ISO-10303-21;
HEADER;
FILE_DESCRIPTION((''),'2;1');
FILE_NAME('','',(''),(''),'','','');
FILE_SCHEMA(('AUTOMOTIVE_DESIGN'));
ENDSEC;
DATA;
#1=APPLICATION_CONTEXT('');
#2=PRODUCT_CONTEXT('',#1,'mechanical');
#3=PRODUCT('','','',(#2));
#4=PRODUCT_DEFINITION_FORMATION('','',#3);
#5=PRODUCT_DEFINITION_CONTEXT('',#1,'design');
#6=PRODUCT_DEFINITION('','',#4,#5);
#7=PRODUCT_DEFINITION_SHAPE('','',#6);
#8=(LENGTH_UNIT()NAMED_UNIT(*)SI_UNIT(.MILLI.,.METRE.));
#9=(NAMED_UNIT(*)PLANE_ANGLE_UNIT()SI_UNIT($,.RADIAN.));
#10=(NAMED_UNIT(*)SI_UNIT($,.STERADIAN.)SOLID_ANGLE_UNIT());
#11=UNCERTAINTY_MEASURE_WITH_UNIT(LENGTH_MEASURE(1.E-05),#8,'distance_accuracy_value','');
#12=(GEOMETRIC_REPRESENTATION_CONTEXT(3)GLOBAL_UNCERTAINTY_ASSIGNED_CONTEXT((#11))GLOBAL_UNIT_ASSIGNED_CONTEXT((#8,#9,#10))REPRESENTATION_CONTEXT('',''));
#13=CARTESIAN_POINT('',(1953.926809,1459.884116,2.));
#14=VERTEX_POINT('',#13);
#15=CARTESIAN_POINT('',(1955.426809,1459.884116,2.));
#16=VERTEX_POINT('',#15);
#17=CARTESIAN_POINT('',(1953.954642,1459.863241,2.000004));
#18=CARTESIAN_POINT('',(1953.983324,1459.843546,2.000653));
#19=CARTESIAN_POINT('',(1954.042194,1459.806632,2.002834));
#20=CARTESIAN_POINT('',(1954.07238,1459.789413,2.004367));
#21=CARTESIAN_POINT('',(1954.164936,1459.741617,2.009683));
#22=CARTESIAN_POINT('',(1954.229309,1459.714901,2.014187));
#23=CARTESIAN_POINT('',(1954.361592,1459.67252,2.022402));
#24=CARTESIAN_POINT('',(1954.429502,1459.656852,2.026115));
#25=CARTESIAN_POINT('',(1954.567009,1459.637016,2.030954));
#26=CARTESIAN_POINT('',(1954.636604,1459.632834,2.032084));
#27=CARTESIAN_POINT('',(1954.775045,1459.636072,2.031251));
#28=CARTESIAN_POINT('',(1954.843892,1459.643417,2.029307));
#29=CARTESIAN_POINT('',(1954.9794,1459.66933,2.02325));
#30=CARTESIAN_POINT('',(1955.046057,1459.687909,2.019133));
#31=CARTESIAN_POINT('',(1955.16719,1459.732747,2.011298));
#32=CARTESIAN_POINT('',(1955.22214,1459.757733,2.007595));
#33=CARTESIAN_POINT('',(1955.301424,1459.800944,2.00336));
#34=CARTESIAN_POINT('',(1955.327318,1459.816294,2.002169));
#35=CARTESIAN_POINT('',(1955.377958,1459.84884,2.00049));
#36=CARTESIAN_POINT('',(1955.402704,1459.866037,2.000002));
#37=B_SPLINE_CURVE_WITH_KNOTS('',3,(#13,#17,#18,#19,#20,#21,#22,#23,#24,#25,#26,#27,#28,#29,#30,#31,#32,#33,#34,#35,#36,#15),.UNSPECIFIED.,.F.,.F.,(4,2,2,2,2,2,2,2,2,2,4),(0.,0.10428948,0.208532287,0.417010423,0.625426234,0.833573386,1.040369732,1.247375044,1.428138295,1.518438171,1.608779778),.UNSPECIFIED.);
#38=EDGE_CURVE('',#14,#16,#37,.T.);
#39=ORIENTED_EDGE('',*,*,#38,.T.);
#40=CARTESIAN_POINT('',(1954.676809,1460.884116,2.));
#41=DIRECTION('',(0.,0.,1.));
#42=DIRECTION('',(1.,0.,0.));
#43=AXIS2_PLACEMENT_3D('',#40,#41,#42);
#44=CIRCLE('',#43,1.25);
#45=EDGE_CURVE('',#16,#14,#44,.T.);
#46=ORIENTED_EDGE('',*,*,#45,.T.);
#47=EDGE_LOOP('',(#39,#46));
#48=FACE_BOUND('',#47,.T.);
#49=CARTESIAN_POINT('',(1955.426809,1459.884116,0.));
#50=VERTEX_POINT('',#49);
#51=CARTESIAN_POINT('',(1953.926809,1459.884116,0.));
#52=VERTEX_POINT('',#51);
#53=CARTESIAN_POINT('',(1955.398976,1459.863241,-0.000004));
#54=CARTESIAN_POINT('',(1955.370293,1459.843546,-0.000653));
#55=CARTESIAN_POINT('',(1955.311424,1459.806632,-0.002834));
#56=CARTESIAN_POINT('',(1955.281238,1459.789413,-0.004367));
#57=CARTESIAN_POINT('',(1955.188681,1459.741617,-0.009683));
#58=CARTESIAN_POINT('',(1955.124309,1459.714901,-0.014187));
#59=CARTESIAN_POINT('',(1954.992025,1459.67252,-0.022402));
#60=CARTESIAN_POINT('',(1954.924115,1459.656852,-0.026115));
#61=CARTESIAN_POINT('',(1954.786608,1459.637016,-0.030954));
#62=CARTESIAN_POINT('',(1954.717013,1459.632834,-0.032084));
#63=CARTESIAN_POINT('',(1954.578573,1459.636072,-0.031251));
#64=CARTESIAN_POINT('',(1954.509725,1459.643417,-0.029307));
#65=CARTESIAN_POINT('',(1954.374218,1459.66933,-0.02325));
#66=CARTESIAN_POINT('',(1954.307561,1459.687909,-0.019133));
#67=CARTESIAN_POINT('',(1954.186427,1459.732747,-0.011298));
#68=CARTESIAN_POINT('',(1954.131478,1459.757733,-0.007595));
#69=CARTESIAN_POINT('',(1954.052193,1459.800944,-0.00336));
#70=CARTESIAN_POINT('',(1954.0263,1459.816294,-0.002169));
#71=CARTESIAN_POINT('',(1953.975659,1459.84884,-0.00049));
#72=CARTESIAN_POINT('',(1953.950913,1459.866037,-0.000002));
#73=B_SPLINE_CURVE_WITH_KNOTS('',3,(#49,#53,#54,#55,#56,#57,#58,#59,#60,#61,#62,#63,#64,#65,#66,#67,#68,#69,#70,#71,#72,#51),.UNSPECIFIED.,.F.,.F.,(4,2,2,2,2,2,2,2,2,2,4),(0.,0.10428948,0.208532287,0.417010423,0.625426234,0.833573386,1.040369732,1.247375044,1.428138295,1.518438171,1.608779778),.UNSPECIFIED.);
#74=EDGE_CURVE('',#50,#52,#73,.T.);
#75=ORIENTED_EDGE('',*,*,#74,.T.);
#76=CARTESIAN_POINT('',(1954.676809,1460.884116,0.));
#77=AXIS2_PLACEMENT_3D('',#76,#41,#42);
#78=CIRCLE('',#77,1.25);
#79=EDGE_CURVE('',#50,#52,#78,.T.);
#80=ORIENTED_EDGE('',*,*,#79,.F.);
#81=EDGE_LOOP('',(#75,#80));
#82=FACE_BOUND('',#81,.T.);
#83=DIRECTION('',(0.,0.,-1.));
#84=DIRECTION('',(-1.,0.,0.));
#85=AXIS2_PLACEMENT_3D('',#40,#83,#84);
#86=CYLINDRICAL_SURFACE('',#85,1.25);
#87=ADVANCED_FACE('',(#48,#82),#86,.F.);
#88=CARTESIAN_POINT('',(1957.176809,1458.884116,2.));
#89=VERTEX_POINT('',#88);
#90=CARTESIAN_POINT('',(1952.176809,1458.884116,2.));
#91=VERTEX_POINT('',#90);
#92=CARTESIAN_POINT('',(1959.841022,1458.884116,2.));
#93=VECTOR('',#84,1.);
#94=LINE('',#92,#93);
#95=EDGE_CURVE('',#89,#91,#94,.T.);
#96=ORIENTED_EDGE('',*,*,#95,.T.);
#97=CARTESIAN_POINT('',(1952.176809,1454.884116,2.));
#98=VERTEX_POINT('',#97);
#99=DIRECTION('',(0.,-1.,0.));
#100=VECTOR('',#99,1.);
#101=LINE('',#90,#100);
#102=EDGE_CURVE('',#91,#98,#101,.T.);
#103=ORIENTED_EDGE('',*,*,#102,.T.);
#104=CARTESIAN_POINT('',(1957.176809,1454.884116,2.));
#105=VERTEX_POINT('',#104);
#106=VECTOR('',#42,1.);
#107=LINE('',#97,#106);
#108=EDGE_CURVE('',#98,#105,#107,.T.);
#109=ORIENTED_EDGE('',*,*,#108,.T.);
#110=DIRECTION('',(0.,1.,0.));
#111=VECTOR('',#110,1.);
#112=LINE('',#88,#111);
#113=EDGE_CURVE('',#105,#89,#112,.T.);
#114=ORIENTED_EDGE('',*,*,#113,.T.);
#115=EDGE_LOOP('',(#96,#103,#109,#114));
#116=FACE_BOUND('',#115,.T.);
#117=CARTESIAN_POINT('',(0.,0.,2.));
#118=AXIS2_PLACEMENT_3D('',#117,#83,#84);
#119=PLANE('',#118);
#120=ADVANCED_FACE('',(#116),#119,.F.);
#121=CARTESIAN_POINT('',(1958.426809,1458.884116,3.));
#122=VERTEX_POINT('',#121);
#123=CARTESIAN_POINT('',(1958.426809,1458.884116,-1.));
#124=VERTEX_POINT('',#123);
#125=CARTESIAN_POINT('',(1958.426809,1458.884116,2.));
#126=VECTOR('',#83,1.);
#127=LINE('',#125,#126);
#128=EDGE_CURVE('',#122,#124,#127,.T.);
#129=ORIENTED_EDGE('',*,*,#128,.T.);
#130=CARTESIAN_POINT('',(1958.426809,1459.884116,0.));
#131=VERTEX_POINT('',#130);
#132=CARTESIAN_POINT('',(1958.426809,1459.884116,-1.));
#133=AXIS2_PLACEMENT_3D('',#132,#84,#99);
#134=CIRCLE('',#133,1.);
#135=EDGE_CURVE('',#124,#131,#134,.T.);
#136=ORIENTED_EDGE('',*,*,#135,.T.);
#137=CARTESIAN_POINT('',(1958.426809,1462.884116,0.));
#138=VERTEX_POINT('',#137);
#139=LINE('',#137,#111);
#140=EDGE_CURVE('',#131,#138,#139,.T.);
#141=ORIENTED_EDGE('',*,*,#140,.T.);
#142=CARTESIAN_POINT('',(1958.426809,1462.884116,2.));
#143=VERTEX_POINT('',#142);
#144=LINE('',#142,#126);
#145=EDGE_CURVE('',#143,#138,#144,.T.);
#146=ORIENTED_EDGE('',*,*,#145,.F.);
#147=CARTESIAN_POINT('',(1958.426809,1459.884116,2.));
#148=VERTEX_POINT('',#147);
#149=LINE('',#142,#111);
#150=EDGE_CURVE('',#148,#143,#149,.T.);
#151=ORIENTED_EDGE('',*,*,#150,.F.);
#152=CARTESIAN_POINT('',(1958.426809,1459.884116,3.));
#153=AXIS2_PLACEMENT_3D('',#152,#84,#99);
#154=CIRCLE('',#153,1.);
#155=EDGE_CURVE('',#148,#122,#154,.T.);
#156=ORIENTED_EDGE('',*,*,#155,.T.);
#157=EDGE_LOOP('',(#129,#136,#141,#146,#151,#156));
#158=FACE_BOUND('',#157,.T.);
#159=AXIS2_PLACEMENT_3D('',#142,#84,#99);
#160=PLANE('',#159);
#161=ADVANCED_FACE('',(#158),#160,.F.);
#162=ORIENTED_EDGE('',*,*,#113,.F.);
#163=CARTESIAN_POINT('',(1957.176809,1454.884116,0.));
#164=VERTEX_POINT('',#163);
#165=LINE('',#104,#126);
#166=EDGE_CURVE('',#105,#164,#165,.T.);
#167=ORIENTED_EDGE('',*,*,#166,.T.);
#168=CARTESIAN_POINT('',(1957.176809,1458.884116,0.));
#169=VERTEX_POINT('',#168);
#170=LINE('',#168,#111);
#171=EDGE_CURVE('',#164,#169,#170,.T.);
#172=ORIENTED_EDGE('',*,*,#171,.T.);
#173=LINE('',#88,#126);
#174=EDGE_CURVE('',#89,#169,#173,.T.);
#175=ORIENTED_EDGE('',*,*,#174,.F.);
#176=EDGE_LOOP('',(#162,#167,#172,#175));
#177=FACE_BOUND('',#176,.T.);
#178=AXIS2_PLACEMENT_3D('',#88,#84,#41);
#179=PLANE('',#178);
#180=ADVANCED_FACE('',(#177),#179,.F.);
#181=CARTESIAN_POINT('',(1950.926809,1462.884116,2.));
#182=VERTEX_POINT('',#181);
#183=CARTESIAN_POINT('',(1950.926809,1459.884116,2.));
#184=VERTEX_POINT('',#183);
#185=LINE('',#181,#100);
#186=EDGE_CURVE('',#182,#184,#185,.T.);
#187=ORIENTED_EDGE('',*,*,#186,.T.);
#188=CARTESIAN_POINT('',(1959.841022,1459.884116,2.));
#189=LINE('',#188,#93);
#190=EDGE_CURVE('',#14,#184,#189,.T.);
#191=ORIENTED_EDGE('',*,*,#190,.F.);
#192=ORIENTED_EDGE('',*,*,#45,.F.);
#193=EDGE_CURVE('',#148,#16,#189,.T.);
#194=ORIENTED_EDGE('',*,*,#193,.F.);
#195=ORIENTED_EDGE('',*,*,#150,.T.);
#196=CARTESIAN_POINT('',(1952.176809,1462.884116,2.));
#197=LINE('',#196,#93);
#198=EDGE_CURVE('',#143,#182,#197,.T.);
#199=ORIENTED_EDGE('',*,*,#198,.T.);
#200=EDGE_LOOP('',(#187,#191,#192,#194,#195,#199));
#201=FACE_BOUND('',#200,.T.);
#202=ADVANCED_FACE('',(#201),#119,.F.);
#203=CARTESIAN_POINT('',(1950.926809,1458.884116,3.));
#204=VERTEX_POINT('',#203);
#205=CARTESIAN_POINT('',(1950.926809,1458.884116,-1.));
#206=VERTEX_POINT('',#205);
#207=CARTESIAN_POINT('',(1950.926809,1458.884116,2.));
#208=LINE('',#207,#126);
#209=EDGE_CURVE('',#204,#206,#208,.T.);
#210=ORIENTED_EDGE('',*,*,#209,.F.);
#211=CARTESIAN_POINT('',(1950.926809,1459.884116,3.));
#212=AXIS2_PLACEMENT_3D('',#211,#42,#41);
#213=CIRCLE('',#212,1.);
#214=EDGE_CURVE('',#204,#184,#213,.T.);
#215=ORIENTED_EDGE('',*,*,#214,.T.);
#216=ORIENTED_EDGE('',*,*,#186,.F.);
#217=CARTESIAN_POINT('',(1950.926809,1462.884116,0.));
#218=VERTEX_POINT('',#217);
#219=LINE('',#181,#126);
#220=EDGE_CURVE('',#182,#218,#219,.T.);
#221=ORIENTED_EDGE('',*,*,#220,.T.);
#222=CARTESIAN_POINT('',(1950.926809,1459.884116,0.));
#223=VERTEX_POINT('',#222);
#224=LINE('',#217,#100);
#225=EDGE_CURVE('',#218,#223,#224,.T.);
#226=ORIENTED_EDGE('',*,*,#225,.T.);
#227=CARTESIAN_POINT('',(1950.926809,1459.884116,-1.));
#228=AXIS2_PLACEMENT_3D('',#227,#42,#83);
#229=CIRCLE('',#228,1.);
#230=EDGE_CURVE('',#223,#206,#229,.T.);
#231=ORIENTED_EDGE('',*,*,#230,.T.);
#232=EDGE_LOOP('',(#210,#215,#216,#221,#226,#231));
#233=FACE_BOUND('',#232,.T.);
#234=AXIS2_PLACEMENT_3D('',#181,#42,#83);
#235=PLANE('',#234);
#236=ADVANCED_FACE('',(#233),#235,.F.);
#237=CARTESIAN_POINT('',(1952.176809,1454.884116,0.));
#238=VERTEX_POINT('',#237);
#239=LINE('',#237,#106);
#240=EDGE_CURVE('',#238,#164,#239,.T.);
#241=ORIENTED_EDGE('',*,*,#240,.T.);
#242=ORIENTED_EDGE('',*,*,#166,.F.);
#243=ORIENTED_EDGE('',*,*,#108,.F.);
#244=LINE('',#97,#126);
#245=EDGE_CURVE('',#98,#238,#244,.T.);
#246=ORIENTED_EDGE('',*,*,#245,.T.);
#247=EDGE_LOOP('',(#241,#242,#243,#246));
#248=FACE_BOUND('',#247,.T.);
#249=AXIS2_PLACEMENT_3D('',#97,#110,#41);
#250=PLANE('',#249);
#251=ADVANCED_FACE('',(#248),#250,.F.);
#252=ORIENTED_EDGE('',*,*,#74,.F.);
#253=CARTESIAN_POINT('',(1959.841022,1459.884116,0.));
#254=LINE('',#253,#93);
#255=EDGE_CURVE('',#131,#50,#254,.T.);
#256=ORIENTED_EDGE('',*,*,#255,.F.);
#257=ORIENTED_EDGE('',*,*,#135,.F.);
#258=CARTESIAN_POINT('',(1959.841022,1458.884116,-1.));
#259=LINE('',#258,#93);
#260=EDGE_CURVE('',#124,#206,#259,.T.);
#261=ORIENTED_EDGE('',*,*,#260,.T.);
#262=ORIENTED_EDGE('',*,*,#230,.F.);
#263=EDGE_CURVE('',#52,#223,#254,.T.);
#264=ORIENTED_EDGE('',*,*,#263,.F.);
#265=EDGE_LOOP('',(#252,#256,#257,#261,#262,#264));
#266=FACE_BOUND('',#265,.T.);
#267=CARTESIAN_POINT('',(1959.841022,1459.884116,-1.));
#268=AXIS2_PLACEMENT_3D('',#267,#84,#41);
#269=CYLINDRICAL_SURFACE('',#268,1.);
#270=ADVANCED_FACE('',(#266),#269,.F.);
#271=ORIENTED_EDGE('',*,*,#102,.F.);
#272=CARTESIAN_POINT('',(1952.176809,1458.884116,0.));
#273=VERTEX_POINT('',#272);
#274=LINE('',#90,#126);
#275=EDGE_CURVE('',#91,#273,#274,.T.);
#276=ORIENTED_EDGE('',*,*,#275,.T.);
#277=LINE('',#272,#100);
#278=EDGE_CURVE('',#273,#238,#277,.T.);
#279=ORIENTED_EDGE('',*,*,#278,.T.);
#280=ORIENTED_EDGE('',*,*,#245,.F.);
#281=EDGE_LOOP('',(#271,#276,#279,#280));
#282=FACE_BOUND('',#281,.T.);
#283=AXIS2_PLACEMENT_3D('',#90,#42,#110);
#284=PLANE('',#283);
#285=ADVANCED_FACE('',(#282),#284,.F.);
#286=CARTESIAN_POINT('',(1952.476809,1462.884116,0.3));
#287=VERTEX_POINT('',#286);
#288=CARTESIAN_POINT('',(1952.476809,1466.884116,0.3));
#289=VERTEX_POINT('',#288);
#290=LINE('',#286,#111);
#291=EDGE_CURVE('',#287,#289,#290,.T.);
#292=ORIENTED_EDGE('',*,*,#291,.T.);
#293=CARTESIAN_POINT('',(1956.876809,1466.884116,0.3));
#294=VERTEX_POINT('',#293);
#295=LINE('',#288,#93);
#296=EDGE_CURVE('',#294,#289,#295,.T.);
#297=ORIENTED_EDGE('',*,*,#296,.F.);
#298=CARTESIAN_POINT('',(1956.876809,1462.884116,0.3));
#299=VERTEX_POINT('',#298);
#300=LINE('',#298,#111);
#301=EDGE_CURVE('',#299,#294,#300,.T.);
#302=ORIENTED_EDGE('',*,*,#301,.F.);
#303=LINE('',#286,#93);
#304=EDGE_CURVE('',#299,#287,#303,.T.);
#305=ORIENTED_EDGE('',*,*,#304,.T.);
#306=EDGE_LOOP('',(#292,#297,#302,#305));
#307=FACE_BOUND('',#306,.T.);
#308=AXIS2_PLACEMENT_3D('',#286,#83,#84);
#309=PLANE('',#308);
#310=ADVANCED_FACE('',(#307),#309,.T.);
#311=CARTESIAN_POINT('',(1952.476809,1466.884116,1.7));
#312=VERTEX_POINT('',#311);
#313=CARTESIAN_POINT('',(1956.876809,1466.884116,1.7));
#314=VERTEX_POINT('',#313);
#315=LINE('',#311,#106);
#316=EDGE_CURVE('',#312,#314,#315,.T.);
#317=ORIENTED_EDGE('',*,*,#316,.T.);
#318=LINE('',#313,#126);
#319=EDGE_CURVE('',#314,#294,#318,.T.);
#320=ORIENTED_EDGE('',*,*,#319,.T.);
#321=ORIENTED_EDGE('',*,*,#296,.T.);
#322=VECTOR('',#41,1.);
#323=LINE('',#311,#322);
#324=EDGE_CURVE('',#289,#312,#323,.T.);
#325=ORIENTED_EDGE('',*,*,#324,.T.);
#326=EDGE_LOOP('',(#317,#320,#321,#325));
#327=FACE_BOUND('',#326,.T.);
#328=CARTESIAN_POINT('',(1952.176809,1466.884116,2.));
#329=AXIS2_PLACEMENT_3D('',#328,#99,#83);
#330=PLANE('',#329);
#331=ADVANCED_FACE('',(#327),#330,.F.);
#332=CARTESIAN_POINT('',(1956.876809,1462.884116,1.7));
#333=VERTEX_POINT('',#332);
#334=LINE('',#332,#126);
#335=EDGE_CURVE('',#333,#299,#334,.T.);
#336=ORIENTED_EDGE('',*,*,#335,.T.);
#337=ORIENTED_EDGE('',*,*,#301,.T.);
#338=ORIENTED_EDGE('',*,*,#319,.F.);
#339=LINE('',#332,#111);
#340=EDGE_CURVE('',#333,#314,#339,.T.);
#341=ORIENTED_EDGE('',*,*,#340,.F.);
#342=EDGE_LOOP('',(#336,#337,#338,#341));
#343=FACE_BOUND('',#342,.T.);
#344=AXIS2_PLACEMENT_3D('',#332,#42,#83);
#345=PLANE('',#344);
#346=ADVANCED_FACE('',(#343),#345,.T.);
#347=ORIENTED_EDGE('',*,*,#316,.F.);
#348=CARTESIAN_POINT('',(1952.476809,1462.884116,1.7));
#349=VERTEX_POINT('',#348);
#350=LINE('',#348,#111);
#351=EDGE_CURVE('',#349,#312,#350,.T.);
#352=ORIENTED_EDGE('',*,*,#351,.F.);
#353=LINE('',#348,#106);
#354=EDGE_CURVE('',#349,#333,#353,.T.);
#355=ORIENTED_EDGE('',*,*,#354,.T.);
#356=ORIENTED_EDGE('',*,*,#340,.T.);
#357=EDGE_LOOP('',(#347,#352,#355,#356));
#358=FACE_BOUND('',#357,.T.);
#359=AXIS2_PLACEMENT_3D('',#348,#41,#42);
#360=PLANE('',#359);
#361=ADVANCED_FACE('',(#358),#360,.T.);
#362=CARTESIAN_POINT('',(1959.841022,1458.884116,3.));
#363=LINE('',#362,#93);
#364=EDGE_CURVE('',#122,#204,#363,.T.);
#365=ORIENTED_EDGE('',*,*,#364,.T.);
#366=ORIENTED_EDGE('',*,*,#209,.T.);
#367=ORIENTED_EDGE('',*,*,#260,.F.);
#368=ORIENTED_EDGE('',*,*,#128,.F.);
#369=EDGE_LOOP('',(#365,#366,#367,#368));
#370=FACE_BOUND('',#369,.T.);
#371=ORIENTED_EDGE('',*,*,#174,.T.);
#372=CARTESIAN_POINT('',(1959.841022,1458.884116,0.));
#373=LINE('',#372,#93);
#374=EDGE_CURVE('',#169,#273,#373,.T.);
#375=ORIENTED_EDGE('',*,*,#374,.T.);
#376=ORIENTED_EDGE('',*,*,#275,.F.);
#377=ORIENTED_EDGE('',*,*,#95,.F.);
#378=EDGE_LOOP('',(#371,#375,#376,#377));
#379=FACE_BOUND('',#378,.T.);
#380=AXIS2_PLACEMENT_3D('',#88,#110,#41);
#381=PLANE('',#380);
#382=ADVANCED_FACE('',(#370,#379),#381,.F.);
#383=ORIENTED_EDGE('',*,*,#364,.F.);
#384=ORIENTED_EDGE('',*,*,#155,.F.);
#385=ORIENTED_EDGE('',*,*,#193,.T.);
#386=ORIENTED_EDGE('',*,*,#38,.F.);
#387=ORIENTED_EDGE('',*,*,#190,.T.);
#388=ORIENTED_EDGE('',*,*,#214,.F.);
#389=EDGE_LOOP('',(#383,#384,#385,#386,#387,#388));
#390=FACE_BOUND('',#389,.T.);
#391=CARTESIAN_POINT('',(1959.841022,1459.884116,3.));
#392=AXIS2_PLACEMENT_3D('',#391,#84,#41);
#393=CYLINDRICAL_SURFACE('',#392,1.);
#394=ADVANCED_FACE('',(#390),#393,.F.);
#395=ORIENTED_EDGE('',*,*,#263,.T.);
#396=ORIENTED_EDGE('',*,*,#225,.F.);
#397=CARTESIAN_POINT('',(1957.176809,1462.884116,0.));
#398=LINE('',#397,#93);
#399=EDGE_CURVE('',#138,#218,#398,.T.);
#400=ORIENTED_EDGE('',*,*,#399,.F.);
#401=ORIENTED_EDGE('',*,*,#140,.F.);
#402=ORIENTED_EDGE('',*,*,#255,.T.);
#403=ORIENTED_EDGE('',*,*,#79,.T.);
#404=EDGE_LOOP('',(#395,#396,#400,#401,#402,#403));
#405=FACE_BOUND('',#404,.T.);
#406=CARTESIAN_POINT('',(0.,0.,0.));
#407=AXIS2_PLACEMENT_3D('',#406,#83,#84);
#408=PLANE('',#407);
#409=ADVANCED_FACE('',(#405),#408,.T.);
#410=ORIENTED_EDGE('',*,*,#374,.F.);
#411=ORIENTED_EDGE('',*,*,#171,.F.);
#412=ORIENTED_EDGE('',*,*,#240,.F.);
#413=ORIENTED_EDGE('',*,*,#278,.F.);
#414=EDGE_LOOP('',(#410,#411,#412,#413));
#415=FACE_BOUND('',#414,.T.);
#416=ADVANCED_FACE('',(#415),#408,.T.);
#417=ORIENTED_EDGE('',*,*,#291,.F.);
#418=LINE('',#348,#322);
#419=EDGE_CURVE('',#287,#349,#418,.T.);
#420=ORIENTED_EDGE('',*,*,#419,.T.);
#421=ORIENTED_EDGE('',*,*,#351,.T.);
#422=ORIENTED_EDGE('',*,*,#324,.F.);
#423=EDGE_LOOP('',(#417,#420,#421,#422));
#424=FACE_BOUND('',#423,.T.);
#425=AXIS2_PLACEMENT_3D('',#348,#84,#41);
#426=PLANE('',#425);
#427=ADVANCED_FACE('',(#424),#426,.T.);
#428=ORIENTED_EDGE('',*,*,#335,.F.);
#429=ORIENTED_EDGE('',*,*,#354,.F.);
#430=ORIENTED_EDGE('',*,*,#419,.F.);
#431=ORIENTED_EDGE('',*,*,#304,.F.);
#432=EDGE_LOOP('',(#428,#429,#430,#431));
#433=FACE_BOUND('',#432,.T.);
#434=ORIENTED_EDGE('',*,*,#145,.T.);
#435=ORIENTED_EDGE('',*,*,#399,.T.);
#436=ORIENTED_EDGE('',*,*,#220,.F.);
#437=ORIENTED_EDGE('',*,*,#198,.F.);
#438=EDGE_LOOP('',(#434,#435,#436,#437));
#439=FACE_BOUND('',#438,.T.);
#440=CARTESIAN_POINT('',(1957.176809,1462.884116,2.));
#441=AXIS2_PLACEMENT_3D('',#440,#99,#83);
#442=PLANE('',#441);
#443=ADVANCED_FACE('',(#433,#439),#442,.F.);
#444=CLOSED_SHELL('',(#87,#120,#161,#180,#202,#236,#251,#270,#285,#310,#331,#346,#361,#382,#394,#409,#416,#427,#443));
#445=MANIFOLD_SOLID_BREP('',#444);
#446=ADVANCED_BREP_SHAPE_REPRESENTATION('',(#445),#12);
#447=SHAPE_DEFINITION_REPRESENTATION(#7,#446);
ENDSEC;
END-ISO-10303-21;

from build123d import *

# Parameters (mm, degrees)
SKETCH1_R               = 1.25
BOSS_EXTRUDE1_DEPTH     = 2
BOSS_EXTRUDE2_DEPTH     = 7.5
SKETCH3_R               = 1.25
CUT_EXTRUDE1_DEPTH      = 2
CUT_EXTRUDE1_DEPTH_BACK = 4
SKETCH4_W               = 5
SKETCH4_H               = 2
SKETCH4_W_2             = 4.4
SKETCH4_H_2             = 1.4
CUT_EXTRUDE2_DEPTH      = 4


with BuildPart() as part:
    # Sketch1 → Boss-Extrude1 (new body)
    with BuildSketch(Plane.XY):
        Polygon((1952.176808721, 1466.884115951), (1957.176808721, 1466.884115951), (1957.176808721, 1462.884115951), (1958.426808721, 1462.884115951), (1958.426808721, 1458.884115951), (1957.176808721, 1458.884115951), (1957.176808721, 1454.884115951), (1952.176808721, 1454.884115951), (1952.176808721, 1458.884115951), (1950.926808721, 1458.884115951), (1950.926808721, 1462.884115951), (1952.176808721, 1462.884115951), align=None)
        with Locations((1954.676808721, 1460.884115951)):
            Circle(SKETCH1_R, mode=Mode.SUBTRACT)
    extrude(amount=BOSS_EXTRUDE1_DEPTH)

    # Sketch2 → Boss-Extrude2 (add)
    with BuildSketch(Plane.ZY.offset(-1950.926808721)):
        with BuildLine():
            Line((2, 1458.884115951), (2, 1459.884115951))
            ThreePointArc((2, 1459.884115951), (2.292893219, 1459.17700917), (3, 1458.884115951))
            Line((3, 1458.884115951), (2, 1458.884115951))
        make_face()
        with BuildLine():
            Line((0, 1458.884115951), (-1, 1458.884115951))
            ThreePointArc((-1, 1458.884115951), (-0.292893219, 1459.17700917), (0, 1459.884115951))
            Line((0, 1459.884115951), (0, 1458.884115951))
        make_face()
    extrude(amount=-BOSS_EXTRUDE2_DEPTH)

    # Sketch3 → Cut-Extrude1 (cut, two sides)
    with BuildSketch(Plane.XY.offset(2)) as cut_extrude1_sk:
        with Locations((1954.676808721, 1460.884115951)):
            Circle(SKETCH3_R)
    extrude(amount=CUT_EXTRUDE1_DEPTH, mode=Mode.SUBTRACT)
    extrude(cut_extrude1_sk.sketch, amount=-CUT_EXTRUDE1_DEPTH_BACK, mode=Mode.SUBTRACT)

    # Sketch4 → Cut-Extrude2 (cut)
    with BuildSketch(Plane(origin=(0, 1466.884115951, 0), x_dir=(1, 0, 0), z_dir=(0, 1, 0))):
        with Locations((1954.676808721, -1)):
            Rectangle(SKETCH4_W, SKETCH4_H)
        with Locations((1954.676808721, -1)):
            Rectangle(SKETCH4_W_2, SKETCH4_H_2, mode=Mode.SUBTRACT)
    extrude(amount=-CUT_EXTRUDE2_DEPTH, mode=Mode.SUBTRACT)


solid = part.part
